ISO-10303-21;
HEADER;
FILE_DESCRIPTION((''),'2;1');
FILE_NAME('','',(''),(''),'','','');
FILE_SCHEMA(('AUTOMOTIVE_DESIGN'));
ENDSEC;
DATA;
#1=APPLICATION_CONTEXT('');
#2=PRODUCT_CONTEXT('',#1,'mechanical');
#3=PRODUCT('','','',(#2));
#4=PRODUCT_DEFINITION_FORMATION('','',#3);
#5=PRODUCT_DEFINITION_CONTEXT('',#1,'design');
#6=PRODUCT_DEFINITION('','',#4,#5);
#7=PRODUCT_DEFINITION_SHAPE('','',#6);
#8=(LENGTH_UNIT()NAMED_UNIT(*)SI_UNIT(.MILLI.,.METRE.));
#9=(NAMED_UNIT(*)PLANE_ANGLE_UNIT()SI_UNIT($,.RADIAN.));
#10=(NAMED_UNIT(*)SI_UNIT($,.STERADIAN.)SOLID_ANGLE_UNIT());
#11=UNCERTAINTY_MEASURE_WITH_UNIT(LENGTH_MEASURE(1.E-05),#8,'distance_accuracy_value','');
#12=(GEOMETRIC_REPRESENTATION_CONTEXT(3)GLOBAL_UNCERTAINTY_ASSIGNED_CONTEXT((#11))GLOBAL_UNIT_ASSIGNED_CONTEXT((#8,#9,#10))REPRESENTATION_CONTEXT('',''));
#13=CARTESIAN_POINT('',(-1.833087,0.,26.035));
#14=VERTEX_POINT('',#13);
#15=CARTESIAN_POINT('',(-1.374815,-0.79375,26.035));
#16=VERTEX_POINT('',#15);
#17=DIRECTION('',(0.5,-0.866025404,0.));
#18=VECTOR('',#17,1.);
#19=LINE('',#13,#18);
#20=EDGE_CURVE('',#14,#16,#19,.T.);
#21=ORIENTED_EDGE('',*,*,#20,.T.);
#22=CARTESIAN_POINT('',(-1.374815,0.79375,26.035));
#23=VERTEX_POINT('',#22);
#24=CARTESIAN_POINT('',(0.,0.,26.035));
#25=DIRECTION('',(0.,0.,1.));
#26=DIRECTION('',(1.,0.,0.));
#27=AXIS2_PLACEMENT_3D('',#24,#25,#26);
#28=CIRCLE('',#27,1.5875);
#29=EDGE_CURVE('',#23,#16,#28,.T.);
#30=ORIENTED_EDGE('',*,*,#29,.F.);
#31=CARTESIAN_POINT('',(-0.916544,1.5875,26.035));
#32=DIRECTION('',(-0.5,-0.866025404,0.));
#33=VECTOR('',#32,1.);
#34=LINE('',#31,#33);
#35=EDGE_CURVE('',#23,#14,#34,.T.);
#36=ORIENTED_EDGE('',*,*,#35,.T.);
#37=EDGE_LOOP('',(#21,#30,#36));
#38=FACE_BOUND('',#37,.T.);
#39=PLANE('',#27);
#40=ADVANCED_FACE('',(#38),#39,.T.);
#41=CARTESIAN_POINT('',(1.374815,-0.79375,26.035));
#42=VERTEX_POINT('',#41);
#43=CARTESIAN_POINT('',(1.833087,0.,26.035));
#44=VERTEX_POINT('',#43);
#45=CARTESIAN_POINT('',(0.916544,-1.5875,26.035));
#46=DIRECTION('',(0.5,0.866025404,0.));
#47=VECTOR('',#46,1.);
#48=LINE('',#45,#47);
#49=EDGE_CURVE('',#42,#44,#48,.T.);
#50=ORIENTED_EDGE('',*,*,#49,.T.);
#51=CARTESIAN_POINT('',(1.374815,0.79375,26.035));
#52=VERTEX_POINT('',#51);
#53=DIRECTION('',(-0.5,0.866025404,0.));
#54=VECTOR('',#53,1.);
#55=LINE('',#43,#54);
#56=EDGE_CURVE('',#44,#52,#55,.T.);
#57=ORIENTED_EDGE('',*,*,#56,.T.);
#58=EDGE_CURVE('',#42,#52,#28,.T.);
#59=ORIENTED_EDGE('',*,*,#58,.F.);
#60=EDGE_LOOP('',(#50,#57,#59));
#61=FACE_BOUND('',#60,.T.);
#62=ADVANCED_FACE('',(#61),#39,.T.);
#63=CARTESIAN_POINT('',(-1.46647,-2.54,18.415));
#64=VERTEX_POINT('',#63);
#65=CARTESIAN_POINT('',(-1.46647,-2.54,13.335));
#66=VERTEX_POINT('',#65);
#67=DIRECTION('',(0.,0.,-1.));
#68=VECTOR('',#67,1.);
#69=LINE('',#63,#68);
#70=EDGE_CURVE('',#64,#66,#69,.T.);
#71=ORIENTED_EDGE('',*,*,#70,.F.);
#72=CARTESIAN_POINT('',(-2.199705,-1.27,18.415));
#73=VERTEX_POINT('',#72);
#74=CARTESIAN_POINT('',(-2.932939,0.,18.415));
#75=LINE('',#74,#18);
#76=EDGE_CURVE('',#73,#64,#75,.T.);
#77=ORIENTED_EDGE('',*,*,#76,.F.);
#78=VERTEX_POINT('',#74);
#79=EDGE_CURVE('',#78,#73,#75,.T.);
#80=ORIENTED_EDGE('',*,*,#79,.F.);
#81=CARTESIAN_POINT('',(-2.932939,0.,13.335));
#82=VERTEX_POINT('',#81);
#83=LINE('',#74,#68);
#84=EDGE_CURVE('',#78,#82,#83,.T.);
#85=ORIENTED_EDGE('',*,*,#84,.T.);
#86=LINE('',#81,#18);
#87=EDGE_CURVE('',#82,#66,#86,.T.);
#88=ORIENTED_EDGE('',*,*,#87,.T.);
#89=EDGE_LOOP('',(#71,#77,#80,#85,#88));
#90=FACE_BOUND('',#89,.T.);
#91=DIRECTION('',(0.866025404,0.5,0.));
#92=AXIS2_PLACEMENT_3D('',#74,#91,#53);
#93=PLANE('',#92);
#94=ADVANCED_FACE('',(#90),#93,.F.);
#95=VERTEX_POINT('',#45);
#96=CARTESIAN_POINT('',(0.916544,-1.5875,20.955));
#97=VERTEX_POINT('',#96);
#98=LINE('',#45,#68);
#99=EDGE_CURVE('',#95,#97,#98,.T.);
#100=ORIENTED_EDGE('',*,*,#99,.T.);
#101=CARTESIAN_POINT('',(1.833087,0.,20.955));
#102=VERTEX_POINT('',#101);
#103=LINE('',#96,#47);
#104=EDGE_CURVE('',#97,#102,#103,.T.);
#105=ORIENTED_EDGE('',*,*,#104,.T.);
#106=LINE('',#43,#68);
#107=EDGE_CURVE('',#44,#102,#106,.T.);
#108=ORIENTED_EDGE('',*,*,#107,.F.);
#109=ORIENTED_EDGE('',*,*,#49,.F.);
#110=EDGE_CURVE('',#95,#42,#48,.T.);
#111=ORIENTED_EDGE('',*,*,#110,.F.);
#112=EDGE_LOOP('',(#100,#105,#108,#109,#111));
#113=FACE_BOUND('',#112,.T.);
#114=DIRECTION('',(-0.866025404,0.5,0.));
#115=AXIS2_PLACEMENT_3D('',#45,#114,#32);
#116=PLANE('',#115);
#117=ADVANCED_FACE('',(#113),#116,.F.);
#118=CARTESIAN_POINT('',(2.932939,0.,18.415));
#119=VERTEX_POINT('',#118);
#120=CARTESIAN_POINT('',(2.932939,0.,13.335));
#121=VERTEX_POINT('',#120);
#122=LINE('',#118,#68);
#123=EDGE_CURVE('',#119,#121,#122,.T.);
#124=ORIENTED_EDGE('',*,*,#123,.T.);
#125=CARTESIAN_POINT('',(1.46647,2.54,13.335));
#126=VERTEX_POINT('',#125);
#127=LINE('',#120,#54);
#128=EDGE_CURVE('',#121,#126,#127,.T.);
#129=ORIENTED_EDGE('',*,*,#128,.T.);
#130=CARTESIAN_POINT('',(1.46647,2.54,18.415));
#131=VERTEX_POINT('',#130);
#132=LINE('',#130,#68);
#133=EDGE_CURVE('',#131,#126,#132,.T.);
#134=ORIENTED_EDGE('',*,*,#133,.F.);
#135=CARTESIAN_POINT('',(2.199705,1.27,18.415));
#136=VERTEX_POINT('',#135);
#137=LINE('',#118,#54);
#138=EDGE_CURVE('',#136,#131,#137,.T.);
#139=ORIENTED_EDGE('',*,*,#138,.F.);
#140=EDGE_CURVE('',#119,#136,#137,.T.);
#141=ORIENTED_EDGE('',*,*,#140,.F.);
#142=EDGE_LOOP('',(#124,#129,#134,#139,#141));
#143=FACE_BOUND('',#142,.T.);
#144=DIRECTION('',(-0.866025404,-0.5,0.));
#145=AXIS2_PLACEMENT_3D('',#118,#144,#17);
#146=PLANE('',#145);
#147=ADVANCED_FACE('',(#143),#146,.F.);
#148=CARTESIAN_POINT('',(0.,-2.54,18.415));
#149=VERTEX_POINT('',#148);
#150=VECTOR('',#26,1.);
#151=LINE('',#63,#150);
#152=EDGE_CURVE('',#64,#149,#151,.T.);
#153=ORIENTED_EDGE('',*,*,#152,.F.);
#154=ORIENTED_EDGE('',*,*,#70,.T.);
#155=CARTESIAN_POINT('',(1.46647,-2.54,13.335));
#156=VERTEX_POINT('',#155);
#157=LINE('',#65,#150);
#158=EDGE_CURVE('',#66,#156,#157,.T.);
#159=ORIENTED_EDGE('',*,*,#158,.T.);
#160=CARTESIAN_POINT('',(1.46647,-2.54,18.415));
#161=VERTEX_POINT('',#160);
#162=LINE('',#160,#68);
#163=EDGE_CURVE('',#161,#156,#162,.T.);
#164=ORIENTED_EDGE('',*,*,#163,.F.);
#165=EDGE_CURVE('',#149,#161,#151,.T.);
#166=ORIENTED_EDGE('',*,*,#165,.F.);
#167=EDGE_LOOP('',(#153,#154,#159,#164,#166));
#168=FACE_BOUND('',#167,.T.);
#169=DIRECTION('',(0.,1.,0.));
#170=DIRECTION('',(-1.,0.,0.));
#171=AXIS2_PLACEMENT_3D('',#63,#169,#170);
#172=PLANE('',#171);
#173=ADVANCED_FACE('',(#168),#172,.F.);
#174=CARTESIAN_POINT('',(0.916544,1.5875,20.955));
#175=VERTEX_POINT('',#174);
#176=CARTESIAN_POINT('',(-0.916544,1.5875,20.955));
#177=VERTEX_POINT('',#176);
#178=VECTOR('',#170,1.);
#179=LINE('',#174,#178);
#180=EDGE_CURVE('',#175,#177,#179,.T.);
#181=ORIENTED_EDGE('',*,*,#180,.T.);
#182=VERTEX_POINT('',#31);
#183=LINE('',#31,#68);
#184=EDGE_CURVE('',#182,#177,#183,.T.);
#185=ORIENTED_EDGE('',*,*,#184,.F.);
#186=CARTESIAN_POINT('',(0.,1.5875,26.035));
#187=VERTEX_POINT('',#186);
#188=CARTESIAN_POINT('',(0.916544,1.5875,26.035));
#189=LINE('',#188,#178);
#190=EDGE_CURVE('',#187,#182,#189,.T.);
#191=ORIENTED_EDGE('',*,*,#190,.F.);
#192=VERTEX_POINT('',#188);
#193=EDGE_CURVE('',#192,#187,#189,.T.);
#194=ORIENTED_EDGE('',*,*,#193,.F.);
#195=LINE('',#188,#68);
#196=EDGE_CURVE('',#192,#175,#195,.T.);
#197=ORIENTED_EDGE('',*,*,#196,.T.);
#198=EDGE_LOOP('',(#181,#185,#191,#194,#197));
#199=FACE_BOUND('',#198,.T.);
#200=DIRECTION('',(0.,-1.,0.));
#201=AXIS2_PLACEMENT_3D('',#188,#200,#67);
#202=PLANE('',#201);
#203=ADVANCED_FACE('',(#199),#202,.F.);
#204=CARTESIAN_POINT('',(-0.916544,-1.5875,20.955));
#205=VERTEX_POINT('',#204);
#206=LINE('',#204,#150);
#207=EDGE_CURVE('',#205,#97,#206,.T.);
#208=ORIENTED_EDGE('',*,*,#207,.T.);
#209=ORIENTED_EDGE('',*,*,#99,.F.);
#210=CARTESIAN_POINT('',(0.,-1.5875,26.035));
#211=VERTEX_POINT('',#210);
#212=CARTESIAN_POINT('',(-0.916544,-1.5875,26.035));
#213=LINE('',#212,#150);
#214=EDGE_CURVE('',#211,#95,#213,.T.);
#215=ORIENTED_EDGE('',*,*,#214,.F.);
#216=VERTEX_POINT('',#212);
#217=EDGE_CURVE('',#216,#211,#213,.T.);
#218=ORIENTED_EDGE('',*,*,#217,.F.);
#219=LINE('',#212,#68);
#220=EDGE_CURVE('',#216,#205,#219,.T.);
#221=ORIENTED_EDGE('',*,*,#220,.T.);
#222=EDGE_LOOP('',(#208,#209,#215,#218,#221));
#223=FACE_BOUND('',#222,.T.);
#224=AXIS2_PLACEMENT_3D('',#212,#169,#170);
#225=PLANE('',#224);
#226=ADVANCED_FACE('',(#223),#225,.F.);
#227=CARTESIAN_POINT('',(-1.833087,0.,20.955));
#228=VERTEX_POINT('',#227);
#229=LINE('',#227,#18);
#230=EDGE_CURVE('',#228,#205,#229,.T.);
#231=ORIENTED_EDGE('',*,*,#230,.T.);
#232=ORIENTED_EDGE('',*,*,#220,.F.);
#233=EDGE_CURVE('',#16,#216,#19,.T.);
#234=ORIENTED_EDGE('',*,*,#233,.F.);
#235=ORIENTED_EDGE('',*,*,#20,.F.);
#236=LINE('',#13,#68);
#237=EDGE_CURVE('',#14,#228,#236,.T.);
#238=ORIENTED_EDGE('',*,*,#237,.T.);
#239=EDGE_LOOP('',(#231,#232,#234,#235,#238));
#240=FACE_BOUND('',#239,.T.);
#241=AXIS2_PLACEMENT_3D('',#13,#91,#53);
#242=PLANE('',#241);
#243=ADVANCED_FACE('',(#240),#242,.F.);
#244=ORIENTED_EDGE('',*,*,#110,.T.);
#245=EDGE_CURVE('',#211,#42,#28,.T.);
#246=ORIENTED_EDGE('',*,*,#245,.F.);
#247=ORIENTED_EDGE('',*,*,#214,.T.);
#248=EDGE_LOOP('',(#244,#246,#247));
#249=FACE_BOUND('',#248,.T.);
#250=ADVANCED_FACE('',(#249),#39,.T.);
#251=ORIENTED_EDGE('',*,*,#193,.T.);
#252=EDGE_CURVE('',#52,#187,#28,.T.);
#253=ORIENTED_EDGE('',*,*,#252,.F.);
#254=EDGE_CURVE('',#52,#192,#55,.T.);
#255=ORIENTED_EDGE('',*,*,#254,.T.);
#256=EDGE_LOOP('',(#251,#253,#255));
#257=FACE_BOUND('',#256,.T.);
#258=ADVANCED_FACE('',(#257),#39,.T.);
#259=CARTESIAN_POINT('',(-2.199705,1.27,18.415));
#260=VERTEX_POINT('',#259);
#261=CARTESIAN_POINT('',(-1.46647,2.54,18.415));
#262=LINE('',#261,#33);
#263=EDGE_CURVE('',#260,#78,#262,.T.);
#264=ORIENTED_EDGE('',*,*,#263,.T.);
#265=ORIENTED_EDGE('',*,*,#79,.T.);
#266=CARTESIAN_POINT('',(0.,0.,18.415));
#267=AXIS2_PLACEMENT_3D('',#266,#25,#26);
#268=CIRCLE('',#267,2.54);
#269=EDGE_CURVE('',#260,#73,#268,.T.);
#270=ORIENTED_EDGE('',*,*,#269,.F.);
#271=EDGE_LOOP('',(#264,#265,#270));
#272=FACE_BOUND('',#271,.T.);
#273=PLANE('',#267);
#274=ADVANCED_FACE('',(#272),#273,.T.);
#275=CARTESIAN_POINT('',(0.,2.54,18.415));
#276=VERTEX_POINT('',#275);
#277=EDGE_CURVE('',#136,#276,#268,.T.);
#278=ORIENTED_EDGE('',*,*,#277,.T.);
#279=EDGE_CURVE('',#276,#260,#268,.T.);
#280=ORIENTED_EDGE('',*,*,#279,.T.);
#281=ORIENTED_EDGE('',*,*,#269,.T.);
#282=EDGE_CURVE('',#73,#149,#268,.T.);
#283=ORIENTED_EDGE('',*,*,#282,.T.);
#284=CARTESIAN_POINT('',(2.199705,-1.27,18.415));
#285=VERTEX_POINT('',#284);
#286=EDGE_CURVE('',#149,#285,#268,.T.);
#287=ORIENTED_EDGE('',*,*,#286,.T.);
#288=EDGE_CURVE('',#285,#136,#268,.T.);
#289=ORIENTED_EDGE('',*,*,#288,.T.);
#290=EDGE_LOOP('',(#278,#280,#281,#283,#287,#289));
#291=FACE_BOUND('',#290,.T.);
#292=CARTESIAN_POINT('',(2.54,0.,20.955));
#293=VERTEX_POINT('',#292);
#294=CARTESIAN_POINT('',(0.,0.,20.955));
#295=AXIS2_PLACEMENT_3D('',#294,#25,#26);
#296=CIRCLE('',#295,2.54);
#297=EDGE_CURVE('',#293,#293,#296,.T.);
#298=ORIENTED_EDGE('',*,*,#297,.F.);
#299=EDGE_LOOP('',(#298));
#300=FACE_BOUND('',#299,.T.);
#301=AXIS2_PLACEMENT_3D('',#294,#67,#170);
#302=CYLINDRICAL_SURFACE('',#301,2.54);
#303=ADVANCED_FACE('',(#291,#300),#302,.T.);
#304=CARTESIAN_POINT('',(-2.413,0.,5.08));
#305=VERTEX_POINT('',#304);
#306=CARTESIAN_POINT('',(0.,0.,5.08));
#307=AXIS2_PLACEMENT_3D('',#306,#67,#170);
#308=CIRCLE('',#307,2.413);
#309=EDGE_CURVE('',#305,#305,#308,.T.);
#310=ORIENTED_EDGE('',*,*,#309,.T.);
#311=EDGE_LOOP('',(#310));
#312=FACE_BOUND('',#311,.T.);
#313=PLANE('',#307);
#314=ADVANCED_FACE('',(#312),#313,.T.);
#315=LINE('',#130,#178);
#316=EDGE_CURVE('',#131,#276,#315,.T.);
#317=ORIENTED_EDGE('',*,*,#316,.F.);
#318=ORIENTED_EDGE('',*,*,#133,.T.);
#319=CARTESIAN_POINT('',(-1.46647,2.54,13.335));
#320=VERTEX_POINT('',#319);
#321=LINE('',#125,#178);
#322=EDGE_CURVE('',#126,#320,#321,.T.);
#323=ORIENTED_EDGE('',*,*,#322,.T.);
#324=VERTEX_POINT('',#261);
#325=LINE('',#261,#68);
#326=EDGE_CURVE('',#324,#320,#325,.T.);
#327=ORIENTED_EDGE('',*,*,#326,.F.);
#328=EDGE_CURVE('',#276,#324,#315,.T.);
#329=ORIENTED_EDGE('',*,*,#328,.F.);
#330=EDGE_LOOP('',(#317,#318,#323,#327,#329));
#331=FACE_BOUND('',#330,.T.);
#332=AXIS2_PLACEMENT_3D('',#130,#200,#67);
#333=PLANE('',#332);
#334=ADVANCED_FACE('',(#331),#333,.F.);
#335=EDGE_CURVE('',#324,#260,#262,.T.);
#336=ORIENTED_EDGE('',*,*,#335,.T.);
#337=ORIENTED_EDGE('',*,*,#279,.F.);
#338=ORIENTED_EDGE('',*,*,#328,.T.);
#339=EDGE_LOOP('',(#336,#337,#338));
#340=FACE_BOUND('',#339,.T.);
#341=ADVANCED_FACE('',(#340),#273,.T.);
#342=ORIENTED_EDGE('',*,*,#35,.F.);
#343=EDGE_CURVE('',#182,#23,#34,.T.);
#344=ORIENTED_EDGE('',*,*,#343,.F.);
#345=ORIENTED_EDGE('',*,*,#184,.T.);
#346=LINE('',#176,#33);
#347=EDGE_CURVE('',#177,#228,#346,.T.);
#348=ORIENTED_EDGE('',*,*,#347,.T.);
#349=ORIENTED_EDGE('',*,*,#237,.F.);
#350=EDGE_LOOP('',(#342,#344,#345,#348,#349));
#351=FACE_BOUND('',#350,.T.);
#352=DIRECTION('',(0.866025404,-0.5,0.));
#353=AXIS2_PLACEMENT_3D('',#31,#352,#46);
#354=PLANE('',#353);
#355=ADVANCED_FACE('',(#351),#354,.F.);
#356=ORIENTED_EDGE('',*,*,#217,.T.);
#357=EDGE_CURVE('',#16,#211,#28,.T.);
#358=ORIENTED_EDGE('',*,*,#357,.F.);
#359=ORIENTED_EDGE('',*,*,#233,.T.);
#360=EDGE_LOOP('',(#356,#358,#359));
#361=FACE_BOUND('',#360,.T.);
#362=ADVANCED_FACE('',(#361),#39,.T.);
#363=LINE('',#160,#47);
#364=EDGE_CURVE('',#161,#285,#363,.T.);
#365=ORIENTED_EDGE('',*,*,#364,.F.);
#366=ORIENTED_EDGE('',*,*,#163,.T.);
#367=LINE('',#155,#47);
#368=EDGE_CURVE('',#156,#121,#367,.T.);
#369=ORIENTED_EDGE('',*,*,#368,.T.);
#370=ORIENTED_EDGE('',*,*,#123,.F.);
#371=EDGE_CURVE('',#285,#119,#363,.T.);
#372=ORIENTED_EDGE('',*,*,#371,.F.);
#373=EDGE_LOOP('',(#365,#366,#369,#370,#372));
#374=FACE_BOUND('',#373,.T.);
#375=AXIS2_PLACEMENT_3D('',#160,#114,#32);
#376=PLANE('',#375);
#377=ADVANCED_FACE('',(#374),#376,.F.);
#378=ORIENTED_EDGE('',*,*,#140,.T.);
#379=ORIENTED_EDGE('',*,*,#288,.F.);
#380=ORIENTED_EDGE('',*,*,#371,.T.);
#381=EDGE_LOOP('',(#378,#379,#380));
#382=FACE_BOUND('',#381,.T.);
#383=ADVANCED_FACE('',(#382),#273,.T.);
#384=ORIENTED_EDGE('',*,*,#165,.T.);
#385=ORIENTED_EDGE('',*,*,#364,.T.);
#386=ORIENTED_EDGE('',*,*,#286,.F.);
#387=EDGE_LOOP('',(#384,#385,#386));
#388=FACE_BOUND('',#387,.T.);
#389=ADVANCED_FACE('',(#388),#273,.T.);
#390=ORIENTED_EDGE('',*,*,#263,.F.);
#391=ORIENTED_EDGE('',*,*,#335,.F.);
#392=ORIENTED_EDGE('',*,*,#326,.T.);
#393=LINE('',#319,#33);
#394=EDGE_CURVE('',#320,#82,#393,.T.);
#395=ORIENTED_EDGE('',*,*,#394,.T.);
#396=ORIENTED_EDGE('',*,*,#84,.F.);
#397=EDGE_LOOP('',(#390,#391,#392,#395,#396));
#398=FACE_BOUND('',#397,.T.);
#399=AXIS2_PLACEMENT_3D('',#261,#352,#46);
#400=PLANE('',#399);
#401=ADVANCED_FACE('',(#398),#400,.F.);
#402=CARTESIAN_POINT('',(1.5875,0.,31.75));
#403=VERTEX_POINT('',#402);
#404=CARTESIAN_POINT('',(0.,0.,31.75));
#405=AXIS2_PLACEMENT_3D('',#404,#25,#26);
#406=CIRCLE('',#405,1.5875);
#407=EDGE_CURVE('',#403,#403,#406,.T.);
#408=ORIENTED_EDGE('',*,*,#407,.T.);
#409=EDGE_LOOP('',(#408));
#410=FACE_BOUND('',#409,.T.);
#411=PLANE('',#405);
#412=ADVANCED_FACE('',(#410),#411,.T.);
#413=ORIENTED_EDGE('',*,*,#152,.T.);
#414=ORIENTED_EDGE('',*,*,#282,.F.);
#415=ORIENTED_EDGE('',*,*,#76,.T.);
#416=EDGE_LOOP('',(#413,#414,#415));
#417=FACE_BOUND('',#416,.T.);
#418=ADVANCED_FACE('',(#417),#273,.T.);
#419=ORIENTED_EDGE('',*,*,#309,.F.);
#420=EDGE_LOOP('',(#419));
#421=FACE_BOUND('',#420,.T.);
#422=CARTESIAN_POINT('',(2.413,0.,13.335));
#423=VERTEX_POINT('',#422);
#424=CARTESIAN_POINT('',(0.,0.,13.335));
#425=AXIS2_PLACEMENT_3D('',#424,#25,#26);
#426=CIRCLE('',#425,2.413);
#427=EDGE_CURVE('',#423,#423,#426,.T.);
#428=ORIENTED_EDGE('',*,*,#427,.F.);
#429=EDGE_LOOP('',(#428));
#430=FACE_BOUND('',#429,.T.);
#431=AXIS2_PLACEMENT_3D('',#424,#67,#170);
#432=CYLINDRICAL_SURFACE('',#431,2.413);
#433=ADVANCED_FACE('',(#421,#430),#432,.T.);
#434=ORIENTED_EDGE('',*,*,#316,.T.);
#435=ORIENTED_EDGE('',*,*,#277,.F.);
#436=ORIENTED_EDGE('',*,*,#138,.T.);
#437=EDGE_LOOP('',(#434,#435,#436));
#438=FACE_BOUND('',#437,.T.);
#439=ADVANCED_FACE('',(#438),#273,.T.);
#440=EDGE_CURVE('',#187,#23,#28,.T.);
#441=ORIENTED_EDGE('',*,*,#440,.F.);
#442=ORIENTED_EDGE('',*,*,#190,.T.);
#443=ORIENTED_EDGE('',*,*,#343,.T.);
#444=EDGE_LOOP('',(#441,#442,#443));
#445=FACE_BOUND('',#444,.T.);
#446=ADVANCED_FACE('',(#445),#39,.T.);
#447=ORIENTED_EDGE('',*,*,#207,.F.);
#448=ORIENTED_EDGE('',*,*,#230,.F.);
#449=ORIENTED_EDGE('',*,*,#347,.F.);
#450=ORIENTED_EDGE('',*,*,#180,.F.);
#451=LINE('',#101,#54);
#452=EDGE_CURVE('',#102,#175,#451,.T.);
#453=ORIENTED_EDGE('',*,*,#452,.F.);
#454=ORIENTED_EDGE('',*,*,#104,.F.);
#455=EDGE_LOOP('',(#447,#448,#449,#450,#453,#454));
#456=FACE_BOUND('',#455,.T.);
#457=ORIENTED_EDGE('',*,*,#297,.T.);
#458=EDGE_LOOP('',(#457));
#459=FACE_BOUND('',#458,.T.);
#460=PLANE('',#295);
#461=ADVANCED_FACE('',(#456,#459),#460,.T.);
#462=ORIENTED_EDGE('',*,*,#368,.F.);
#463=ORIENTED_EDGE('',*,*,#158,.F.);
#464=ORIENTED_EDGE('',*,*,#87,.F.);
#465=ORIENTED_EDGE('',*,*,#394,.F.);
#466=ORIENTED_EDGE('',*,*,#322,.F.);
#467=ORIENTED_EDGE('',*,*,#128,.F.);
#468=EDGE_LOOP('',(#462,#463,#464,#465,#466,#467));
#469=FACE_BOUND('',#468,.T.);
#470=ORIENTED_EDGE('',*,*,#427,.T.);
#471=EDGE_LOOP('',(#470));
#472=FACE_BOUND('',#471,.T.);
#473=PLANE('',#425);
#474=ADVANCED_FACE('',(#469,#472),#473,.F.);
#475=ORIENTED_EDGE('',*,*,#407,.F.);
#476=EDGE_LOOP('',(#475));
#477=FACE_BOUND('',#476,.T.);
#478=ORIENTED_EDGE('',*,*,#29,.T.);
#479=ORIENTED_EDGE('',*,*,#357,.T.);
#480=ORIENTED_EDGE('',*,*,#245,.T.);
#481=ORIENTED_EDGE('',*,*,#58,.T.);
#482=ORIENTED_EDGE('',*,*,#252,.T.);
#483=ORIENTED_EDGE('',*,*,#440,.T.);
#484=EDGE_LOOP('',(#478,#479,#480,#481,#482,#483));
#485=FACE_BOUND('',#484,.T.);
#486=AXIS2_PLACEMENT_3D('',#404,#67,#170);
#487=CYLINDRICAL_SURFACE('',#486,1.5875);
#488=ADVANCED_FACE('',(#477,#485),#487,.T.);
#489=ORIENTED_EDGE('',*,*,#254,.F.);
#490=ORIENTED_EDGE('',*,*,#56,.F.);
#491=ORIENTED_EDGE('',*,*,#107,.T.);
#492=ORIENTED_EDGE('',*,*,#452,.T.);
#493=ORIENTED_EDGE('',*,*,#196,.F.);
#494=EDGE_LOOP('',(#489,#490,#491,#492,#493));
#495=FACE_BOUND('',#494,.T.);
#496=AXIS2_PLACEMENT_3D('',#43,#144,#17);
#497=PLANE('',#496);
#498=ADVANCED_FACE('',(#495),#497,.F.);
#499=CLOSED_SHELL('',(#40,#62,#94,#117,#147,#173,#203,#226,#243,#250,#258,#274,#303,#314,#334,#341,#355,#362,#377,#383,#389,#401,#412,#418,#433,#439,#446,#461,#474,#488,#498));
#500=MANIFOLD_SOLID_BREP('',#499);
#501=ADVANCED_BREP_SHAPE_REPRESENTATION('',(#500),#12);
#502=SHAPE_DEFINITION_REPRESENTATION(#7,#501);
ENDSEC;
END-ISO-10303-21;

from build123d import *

# Parameters (mm, degrees)
SKETCH1_R           = 2.413
BOSS_EXTRUDE1_DEPTH = 13.335
BOSS_EXTRUDE2_DEPTH = 5.08
SKETCH3_R           = 2.413
CUT_EXTRUDE1_DEPTH  = 1.905
SKETCH4_R           = 2.54
BOSS_EXTRUDE3_DEPTH = 2.54
BOSS_EXTRUDE4_DEPTH = 5.08
SKETCH6_R           = 1.5875
BOSS_EXTRUDE5_DEPTH = 5.715
SKETCH7_R           = 2.413
CUT_EXTRUDE2_DEPTH  = 3.175


with BuildPart() as part:
    # Sketch1 → Boss-Extrude1 (new body)
    with BuildSketch(Plane.XY):
        Circle(SKETCH1_R)
    extrude(amount=BOSS_EXTRUDE1_DEPTH)

    # Sketch2 → Boss-Extrude2 (add)
    with BuildSketch(Plane.XY.offset(13.335)):
        Polygon((2.932939367, 0), (1.466469684, 2.54), (-1.466469684, 2.54), (-2.932939367, 0), (-1.466469684, -2.54), (1.466469684, -2.54), align=None)
    extrude(amount=BOSS_EXTRUDE2_DEPTH)

    # Sketch3 → Cut-Extrude1 (cut)
    with BuildSketch(Plane(origin=(0, 0, 0), x_dir=(-1, 0, 0), z_dir=(0, 0, -1))):
        Circle(SKETCH3_R)
    extrude(amount=-CUT_EXTRUDE1_DEPTH, mode=Mode.SUBTRACT)

    # Sketch4 → Boss-Extrude3 (add)
    with BuildSketch(Plane.XY.offset(18.415)):
        with Locations(Location((0, 0, 0), (0, 0, 150))):
            Circle(SKETCH4_R)
    extrude(amount=BOSS_EXTRUDE3_DEPTH)

    # Sketch5 → Boss-Extrude4 (add)
    with BuildSketch(Plane.XY.offset(20.955)):
        Polygon((1.833087105, 0), (0.916543552, 1.5875), (-0.916543552, 1.5875), (-1.833087105, 0), (-0.916543552, -1.5875), (0.916543552, -1.5875), align=None)
    extrude(amount=BOSS_EXTRUDE4_DEPTH)

    # Sketch6 → Boss-Extrude5 (add)
    with BuildSketch(Plane.XY.offset(26.035)):
        with Locations(Location((0, 0, 0), (0, 0, 150))):
            Circle(SKETCH6_R)
    extrude(amount=BOSS_EXTRUDE5_DEPTH)

    # Sketch7 → Cut-Extrude2 (cut)
    with BuildSketch(Plane(origin=(0, 0, 1.905), x_dir=(-1, 0, 0), z_dir=(0, 0, -1))):
        Circle(SKETCH7_R)
    extrude(amount=-CUT_EXTRUDE2_DEPTH, mode=Mode.SUBTRACT)


solid = part.part
